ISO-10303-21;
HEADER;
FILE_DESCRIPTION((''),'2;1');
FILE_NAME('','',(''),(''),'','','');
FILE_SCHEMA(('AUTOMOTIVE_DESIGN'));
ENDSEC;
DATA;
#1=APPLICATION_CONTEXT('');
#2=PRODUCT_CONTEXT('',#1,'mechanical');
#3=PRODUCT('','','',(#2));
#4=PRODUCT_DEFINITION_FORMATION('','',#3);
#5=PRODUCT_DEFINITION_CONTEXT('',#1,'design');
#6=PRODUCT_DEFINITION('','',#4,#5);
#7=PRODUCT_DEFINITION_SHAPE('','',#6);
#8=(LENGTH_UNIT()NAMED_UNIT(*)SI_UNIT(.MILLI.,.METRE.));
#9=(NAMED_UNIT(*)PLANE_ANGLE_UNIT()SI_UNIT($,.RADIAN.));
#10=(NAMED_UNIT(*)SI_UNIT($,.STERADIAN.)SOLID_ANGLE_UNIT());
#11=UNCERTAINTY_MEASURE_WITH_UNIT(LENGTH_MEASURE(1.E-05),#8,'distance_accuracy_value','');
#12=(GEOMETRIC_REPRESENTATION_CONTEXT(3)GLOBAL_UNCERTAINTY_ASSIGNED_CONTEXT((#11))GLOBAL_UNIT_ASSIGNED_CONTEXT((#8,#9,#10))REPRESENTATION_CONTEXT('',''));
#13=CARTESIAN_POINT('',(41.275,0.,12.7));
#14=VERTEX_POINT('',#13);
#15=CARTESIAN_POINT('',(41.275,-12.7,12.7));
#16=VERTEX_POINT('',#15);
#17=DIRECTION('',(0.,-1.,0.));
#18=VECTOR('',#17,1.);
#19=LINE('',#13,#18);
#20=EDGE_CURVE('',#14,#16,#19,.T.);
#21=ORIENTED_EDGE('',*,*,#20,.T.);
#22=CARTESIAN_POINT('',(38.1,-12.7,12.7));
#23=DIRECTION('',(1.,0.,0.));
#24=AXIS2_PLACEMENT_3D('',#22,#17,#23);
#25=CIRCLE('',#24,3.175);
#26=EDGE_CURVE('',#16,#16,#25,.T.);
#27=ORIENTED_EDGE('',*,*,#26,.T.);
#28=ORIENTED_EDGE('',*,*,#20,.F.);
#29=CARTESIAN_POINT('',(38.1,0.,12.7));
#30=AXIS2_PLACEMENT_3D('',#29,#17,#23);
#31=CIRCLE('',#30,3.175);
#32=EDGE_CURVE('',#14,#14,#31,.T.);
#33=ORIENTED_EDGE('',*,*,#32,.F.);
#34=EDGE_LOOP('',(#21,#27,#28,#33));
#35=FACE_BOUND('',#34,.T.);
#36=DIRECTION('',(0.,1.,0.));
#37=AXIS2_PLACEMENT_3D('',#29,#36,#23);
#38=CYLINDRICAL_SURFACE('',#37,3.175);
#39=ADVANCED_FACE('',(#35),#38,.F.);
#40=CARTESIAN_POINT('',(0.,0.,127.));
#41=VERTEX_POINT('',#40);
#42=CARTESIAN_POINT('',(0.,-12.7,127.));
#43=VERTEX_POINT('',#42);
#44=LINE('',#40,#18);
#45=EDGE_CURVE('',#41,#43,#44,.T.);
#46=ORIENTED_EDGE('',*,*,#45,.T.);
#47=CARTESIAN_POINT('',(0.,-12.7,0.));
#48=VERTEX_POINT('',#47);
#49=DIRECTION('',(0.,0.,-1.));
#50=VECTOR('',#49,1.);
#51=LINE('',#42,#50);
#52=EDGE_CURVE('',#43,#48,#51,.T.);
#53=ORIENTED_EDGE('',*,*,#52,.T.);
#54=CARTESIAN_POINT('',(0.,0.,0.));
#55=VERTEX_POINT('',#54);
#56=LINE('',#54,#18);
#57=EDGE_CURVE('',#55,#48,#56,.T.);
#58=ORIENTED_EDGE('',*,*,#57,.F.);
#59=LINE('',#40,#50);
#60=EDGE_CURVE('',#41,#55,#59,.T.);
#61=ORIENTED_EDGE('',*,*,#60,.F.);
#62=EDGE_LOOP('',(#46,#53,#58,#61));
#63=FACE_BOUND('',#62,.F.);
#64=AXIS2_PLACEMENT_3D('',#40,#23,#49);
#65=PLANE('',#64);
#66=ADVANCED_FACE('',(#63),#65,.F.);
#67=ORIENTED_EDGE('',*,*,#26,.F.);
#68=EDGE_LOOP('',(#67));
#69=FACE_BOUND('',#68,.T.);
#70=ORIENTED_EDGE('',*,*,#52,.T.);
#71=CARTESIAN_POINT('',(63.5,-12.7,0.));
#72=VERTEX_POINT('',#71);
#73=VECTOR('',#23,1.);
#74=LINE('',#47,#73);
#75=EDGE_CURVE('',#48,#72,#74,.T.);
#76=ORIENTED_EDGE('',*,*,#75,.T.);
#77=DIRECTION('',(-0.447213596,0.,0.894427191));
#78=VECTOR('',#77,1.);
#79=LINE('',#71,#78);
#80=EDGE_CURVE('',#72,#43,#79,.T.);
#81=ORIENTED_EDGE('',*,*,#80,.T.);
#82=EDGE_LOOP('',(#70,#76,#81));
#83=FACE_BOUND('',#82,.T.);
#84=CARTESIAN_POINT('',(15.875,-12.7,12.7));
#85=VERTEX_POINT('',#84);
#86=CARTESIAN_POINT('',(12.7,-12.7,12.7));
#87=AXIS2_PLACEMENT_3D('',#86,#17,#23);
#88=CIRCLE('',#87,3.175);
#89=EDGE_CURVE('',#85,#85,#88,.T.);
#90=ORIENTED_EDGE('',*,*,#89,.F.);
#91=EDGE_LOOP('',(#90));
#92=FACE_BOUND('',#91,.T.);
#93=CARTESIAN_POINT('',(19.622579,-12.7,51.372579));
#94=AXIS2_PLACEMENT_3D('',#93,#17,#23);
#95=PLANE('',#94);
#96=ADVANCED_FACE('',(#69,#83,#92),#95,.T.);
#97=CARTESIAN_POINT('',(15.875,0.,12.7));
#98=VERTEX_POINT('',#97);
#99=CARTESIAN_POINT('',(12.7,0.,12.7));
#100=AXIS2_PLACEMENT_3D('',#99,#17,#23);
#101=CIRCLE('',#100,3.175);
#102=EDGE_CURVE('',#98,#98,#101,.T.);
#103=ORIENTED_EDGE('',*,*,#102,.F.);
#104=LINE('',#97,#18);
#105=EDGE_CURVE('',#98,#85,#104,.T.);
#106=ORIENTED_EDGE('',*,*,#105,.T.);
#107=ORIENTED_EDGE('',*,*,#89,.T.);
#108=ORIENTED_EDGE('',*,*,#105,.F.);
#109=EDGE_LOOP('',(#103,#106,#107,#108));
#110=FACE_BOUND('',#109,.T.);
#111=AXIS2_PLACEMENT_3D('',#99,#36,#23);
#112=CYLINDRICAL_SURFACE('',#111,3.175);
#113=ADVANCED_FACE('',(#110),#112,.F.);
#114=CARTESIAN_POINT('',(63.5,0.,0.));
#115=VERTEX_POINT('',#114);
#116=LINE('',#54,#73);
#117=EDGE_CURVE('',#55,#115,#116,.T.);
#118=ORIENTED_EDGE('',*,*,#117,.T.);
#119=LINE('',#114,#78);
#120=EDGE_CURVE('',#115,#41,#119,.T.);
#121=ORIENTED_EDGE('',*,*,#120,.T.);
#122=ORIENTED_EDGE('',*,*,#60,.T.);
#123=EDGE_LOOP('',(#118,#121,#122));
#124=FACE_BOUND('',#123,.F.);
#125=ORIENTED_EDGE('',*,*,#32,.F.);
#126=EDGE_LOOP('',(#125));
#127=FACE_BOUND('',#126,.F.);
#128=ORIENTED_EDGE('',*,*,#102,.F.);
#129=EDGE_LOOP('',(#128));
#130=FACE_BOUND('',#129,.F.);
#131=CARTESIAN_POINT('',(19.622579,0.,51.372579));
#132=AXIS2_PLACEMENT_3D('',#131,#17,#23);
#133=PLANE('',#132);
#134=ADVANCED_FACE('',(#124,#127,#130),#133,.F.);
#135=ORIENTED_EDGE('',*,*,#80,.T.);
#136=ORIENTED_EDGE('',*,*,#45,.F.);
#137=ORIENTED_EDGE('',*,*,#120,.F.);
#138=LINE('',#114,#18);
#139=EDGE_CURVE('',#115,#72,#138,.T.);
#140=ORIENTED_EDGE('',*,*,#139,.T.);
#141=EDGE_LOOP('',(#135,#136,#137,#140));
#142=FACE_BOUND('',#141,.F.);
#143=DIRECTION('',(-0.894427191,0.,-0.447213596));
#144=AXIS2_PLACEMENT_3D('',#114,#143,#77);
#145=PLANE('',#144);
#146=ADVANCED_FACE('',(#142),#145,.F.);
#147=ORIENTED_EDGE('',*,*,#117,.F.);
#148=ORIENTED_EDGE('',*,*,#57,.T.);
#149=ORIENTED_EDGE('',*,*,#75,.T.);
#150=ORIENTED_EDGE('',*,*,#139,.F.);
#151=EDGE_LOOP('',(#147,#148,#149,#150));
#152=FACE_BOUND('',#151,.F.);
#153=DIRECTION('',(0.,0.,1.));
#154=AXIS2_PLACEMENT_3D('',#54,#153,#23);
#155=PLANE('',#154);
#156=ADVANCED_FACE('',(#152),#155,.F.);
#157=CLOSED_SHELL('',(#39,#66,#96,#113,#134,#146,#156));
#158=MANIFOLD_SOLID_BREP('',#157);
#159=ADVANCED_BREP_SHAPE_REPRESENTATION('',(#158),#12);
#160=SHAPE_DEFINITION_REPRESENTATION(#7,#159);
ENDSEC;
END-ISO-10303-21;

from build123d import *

# Parameters (mm, degrees)
F0_R     = 3.175
F1_DEPTH = 12.7


with BuildPart() as f1:
    # F0 (on Front) → F1 (new body)
    with BuildSketch(Plane.XZ):
        Polygon((0, 127), (0, 0), (63.5, 0), align=None)
        with Locations((12.7, 12.7)):
            Circle(F0_R, mode=Mode.SUBTRACT)
        with Locations((38.1, 12.7)):
            Circle(F0_R, mode=Mode.SUBTRACT)
    extrude(amount=F1_DEPTH)


solid = f1.part
